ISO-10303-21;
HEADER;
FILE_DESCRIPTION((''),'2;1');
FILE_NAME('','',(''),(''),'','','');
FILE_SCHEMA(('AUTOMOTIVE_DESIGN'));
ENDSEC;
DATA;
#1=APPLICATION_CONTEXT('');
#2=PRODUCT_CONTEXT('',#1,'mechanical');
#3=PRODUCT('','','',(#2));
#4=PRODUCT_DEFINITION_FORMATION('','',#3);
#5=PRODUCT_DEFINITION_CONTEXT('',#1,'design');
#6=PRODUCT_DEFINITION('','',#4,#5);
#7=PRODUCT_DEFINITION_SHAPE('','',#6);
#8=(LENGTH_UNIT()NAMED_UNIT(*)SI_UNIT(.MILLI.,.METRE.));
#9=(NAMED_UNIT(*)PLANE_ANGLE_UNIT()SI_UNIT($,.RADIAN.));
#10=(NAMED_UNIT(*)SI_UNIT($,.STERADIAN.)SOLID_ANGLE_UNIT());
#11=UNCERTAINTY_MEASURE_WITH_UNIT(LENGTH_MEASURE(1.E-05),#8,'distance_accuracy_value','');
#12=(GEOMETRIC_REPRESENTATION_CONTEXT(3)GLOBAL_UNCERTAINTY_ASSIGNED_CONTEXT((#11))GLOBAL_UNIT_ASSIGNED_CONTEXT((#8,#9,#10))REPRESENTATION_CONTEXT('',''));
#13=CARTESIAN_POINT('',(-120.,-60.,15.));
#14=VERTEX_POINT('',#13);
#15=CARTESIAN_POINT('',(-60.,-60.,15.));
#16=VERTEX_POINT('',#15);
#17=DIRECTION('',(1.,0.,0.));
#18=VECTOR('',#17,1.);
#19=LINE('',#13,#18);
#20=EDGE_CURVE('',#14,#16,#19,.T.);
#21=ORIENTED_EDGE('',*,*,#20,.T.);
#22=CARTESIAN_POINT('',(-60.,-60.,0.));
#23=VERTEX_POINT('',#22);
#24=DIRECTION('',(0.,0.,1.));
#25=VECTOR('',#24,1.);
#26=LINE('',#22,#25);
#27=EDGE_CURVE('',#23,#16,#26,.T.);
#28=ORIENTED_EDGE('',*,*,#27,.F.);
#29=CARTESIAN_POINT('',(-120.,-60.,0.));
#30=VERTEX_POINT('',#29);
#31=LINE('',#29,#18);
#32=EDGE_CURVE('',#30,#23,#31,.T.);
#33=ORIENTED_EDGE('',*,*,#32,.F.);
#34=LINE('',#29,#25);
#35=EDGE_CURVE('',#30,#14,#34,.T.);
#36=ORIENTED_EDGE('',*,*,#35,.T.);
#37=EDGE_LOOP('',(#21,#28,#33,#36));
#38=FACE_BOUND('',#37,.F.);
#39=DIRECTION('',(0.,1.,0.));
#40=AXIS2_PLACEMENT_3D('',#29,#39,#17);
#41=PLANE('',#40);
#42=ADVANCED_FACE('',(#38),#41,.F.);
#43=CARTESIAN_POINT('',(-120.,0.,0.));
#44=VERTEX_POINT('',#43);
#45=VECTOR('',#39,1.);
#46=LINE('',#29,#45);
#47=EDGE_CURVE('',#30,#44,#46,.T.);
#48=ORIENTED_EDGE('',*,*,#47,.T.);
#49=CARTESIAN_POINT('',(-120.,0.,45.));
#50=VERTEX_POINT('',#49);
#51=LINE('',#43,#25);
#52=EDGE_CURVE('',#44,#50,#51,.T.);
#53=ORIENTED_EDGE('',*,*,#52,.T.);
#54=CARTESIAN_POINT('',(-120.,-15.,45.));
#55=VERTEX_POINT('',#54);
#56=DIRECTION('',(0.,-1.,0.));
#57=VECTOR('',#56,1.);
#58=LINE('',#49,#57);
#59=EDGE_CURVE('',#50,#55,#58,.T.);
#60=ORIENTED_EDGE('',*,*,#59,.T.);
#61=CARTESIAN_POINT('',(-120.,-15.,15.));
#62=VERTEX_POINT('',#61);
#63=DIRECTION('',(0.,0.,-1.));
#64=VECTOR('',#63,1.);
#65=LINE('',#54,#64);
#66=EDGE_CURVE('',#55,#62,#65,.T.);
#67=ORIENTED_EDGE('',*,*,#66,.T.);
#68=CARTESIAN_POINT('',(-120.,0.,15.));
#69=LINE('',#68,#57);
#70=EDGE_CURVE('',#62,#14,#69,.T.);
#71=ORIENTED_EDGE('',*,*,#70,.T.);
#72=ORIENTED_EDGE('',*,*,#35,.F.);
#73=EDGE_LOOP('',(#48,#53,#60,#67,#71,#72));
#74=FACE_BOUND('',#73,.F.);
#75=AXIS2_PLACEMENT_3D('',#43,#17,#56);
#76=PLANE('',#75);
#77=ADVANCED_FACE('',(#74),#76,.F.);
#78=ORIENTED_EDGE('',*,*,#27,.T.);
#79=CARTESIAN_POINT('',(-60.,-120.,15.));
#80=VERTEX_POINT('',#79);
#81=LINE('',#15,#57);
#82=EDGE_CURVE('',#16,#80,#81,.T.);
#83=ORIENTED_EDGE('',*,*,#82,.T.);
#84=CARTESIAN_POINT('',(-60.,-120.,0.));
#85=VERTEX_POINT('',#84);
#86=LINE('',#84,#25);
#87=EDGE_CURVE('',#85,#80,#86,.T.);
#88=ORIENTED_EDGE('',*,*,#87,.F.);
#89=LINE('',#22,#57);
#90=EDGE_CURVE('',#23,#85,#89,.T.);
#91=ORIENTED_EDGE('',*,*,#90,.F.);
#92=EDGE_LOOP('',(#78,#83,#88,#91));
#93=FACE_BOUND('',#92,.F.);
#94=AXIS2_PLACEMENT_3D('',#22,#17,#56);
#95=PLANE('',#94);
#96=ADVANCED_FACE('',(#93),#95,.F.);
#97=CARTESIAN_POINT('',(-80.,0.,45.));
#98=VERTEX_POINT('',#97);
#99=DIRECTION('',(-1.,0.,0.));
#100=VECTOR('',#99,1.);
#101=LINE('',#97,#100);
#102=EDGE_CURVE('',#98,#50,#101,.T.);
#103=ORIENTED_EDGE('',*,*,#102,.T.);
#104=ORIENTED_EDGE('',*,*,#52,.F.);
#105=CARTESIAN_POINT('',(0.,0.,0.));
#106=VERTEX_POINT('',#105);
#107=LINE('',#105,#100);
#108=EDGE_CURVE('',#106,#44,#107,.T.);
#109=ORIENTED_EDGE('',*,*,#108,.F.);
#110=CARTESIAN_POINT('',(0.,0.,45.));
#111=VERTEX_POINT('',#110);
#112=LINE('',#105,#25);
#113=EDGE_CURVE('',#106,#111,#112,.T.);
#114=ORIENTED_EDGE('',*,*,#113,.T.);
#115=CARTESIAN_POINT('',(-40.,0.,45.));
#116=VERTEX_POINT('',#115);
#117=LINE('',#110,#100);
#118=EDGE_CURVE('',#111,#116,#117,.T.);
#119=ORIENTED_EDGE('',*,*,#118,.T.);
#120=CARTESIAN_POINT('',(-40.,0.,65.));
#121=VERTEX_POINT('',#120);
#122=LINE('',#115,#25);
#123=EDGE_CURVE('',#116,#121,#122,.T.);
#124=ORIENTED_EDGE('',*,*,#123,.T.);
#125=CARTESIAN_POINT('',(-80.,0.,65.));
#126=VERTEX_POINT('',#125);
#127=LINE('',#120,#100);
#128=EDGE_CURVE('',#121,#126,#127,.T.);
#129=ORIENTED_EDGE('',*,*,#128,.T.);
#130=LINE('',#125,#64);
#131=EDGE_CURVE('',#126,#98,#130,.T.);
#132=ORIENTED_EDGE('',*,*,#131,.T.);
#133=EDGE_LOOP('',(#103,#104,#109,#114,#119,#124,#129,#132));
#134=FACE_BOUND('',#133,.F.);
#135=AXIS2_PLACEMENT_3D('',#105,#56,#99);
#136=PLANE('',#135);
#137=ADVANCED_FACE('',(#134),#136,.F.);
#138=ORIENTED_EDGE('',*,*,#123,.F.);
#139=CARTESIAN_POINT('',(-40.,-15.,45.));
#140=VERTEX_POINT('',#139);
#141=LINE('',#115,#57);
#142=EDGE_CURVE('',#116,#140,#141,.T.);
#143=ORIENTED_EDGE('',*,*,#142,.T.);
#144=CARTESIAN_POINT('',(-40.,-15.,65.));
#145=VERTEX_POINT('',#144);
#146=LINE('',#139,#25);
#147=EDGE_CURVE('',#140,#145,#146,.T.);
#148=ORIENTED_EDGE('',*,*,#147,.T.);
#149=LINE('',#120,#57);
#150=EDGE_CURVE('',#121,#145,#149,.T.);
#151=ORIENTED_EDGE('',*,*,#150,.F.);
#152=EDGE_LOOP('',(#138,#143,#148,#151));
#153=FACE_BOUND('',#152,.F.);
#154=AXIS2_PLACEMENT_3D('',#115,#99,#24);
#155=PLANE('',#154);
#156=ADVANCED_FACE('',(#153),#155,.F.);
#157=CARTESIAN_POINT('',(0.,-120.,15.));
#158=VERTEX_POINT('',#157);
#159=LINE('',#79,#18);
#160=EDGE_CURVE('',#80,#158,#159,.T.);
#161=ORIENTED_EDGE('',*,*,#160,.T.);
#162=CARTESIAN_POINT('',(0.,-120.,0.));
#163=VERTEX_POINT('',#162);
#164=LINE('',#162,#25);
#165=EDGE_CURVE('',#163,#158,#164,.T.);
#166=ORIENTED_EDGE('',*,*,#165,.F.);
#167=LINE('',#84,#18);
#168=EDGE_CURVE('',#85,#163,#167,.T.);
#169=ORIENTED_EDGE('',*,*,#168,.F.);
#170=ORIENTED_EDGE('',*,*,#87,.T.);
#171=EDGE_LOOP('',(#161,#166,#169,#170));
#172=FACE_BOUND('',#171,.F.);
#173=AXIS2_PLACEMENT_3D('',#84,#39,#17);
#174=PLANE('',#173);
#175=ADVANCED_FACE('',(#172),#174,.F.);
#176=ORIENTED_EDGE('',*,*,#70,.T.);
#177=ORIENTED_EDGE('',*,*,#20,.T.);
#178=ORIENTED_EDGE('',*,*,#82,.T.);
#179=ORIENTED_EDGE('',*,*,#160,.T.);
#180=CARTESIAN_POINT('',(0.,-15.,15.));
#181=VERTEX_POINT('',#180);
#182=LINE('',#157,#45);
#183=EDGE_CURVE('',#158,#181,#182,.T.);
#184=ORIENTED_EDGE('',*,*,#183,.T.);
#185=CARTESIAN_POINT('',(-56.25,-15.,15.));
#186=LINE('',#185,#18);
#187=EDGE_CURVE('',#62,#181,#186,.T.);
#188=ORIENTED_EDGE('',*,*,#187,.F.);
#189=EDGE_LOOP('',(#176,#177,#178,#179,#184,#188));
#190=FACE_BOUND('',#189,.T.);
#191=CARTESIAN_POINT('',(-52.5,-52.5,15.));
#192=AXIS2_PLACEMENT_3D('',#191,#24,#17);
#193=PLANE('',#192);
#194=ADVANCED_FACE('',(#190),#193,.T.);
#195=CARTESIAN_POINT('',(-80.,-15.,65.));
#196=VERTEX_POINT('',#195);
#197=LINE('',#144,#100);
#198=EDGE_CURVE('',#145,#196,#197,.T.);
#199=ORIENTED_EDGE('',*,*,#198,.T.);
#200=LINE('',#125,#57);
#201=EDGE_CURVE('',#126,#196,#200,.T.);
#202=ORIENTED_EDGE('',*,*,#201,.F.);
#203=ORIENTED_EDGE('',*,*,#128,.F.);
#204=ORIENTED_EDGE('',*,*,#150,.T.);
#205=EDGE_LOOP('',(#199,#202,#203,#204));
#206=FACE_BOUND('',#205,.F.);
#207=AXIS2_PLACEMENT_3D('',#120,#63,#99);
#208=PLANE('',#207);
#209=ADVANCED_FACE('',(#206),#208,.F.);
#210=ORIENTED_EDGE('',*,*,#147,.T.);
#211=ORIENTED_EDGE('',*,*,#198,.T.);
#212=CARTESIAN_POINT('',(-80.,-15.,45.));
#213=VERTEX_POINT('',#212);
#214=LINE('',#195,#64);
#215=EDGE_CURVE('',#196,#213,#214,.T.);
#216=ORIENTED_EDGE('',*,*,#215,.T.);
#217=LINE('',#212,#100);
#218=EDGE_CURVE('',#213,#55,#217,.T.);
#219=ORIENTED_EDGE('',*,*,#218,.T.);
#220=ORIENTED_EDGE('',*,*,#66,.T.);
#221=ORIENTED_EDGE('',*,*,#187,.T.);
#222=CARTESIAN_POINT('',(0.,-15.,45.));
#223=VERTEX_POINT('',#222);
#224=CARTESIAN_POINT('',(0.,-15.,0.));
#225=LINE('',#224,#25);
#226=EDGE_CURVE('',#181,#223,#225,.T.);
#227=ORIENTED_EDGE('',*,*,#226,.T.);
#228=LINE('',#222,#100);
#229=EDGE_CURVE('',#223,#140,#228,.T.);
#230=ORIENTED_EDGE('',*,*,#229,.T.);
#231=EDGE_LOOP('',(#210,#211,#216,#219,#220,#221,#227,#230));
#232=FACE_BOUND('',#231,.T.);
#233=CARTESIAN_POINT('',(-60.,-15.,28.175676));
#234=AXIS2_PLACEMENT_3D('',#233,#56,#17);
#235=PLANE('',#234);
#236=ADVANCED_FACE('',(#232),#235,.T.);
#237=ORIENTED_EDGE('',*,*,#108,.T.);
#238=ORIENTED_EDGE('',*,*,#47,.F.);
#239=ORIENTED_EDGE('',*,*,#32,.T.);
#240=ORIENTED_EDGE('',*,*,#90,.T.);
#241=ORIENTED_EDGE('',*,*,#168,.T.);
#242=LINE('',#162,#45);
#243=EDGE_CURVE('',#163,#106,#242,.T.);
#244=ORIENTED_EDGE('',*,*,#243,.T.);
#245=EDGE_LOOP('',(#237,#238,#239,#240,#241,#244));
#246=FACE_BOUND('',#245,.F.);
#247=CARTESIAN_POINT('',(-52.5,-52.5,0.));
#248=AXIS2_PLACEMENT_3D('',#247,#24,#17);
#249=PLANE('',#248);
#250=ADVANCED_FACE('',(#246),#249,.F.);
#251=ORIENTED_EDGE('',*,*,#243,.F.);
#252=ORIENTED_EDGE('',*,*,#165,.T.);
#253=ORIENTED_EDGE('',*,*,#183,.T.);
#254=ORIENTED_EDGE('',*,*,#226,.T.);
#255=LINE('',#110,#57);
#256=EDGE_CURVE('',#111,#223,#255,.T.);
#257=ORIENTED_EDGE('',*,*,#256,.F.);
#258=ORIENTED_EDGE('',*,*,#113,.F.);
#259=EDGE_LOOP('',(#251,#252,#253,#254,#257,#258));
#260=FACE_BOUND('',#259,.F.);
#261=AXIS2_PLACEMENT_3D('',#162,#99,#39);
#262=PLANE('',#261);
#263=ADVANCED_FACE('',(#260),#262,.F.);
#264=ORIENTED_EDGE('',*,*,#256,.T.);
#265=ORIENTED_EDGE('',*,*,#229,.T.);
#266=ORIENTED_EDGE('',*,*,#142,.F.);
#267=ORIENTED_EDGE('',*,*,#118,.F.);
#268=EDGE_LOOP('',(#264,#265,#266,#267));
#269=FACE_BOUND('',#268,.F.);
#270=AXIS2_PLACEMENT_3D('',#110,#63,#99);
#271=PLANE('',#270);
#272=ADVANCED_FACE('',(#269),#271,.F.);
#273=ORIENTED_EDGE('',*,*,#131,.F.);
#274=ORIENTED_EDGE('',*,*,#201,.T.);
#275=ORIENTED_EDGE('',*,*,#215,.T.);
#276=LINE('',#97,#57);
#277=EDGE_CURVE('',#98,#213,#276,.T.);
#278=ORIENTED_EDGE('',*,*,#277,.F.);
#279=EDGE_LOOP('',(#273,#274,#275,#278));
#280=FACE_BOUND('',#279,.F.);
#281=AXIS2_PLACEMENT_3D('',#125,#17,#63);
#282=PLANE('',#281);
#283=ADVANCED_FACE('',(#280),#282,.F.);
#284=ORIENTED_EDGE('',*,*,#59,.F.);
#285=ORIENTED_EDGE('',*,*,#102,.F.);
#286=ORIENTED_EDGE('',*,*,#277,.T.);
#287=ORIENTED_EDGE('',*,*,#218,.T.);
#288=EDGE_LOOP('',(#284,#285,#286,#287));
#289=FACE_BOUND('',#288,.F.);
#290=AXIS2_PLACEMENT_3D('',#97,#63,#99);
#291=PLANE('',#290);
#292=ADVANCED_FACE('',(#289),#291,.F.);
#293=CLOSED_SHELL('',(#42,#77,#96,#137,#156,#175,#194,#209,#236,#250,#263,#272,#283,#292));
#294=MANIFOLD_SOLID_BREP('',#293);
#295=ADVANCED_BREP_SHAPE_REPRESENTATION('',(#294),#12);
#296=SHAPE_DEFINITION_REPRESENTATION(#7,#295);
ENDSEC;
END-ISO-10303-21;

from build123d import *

# Parameters (mm, degrees)
F1_DEPTH = 15
F3_DEPTH = 15


with BuildPart() as f1:
    # F0 (on Top) → F1 (new body)
    with BuildSketch(Plane.XY):
        Polygon((0, -120), (0, 0), (-120, 0), (-120, -60), (-60, -60), (-60, -120), align=None)
    extrude(amount=F1_DEPTH)

    # F2 (on Front) → F3 (join)
    with BuildSketch(Plane.XZ):
        Polygon((-120, 0), (0, 0), (0, 45), (-40, 45), (-40, 65), (-80, 65), (-80, 45), (-120, 45), align=None)
    extrude(amount=F3_DEPTH)


solid = f1.part
